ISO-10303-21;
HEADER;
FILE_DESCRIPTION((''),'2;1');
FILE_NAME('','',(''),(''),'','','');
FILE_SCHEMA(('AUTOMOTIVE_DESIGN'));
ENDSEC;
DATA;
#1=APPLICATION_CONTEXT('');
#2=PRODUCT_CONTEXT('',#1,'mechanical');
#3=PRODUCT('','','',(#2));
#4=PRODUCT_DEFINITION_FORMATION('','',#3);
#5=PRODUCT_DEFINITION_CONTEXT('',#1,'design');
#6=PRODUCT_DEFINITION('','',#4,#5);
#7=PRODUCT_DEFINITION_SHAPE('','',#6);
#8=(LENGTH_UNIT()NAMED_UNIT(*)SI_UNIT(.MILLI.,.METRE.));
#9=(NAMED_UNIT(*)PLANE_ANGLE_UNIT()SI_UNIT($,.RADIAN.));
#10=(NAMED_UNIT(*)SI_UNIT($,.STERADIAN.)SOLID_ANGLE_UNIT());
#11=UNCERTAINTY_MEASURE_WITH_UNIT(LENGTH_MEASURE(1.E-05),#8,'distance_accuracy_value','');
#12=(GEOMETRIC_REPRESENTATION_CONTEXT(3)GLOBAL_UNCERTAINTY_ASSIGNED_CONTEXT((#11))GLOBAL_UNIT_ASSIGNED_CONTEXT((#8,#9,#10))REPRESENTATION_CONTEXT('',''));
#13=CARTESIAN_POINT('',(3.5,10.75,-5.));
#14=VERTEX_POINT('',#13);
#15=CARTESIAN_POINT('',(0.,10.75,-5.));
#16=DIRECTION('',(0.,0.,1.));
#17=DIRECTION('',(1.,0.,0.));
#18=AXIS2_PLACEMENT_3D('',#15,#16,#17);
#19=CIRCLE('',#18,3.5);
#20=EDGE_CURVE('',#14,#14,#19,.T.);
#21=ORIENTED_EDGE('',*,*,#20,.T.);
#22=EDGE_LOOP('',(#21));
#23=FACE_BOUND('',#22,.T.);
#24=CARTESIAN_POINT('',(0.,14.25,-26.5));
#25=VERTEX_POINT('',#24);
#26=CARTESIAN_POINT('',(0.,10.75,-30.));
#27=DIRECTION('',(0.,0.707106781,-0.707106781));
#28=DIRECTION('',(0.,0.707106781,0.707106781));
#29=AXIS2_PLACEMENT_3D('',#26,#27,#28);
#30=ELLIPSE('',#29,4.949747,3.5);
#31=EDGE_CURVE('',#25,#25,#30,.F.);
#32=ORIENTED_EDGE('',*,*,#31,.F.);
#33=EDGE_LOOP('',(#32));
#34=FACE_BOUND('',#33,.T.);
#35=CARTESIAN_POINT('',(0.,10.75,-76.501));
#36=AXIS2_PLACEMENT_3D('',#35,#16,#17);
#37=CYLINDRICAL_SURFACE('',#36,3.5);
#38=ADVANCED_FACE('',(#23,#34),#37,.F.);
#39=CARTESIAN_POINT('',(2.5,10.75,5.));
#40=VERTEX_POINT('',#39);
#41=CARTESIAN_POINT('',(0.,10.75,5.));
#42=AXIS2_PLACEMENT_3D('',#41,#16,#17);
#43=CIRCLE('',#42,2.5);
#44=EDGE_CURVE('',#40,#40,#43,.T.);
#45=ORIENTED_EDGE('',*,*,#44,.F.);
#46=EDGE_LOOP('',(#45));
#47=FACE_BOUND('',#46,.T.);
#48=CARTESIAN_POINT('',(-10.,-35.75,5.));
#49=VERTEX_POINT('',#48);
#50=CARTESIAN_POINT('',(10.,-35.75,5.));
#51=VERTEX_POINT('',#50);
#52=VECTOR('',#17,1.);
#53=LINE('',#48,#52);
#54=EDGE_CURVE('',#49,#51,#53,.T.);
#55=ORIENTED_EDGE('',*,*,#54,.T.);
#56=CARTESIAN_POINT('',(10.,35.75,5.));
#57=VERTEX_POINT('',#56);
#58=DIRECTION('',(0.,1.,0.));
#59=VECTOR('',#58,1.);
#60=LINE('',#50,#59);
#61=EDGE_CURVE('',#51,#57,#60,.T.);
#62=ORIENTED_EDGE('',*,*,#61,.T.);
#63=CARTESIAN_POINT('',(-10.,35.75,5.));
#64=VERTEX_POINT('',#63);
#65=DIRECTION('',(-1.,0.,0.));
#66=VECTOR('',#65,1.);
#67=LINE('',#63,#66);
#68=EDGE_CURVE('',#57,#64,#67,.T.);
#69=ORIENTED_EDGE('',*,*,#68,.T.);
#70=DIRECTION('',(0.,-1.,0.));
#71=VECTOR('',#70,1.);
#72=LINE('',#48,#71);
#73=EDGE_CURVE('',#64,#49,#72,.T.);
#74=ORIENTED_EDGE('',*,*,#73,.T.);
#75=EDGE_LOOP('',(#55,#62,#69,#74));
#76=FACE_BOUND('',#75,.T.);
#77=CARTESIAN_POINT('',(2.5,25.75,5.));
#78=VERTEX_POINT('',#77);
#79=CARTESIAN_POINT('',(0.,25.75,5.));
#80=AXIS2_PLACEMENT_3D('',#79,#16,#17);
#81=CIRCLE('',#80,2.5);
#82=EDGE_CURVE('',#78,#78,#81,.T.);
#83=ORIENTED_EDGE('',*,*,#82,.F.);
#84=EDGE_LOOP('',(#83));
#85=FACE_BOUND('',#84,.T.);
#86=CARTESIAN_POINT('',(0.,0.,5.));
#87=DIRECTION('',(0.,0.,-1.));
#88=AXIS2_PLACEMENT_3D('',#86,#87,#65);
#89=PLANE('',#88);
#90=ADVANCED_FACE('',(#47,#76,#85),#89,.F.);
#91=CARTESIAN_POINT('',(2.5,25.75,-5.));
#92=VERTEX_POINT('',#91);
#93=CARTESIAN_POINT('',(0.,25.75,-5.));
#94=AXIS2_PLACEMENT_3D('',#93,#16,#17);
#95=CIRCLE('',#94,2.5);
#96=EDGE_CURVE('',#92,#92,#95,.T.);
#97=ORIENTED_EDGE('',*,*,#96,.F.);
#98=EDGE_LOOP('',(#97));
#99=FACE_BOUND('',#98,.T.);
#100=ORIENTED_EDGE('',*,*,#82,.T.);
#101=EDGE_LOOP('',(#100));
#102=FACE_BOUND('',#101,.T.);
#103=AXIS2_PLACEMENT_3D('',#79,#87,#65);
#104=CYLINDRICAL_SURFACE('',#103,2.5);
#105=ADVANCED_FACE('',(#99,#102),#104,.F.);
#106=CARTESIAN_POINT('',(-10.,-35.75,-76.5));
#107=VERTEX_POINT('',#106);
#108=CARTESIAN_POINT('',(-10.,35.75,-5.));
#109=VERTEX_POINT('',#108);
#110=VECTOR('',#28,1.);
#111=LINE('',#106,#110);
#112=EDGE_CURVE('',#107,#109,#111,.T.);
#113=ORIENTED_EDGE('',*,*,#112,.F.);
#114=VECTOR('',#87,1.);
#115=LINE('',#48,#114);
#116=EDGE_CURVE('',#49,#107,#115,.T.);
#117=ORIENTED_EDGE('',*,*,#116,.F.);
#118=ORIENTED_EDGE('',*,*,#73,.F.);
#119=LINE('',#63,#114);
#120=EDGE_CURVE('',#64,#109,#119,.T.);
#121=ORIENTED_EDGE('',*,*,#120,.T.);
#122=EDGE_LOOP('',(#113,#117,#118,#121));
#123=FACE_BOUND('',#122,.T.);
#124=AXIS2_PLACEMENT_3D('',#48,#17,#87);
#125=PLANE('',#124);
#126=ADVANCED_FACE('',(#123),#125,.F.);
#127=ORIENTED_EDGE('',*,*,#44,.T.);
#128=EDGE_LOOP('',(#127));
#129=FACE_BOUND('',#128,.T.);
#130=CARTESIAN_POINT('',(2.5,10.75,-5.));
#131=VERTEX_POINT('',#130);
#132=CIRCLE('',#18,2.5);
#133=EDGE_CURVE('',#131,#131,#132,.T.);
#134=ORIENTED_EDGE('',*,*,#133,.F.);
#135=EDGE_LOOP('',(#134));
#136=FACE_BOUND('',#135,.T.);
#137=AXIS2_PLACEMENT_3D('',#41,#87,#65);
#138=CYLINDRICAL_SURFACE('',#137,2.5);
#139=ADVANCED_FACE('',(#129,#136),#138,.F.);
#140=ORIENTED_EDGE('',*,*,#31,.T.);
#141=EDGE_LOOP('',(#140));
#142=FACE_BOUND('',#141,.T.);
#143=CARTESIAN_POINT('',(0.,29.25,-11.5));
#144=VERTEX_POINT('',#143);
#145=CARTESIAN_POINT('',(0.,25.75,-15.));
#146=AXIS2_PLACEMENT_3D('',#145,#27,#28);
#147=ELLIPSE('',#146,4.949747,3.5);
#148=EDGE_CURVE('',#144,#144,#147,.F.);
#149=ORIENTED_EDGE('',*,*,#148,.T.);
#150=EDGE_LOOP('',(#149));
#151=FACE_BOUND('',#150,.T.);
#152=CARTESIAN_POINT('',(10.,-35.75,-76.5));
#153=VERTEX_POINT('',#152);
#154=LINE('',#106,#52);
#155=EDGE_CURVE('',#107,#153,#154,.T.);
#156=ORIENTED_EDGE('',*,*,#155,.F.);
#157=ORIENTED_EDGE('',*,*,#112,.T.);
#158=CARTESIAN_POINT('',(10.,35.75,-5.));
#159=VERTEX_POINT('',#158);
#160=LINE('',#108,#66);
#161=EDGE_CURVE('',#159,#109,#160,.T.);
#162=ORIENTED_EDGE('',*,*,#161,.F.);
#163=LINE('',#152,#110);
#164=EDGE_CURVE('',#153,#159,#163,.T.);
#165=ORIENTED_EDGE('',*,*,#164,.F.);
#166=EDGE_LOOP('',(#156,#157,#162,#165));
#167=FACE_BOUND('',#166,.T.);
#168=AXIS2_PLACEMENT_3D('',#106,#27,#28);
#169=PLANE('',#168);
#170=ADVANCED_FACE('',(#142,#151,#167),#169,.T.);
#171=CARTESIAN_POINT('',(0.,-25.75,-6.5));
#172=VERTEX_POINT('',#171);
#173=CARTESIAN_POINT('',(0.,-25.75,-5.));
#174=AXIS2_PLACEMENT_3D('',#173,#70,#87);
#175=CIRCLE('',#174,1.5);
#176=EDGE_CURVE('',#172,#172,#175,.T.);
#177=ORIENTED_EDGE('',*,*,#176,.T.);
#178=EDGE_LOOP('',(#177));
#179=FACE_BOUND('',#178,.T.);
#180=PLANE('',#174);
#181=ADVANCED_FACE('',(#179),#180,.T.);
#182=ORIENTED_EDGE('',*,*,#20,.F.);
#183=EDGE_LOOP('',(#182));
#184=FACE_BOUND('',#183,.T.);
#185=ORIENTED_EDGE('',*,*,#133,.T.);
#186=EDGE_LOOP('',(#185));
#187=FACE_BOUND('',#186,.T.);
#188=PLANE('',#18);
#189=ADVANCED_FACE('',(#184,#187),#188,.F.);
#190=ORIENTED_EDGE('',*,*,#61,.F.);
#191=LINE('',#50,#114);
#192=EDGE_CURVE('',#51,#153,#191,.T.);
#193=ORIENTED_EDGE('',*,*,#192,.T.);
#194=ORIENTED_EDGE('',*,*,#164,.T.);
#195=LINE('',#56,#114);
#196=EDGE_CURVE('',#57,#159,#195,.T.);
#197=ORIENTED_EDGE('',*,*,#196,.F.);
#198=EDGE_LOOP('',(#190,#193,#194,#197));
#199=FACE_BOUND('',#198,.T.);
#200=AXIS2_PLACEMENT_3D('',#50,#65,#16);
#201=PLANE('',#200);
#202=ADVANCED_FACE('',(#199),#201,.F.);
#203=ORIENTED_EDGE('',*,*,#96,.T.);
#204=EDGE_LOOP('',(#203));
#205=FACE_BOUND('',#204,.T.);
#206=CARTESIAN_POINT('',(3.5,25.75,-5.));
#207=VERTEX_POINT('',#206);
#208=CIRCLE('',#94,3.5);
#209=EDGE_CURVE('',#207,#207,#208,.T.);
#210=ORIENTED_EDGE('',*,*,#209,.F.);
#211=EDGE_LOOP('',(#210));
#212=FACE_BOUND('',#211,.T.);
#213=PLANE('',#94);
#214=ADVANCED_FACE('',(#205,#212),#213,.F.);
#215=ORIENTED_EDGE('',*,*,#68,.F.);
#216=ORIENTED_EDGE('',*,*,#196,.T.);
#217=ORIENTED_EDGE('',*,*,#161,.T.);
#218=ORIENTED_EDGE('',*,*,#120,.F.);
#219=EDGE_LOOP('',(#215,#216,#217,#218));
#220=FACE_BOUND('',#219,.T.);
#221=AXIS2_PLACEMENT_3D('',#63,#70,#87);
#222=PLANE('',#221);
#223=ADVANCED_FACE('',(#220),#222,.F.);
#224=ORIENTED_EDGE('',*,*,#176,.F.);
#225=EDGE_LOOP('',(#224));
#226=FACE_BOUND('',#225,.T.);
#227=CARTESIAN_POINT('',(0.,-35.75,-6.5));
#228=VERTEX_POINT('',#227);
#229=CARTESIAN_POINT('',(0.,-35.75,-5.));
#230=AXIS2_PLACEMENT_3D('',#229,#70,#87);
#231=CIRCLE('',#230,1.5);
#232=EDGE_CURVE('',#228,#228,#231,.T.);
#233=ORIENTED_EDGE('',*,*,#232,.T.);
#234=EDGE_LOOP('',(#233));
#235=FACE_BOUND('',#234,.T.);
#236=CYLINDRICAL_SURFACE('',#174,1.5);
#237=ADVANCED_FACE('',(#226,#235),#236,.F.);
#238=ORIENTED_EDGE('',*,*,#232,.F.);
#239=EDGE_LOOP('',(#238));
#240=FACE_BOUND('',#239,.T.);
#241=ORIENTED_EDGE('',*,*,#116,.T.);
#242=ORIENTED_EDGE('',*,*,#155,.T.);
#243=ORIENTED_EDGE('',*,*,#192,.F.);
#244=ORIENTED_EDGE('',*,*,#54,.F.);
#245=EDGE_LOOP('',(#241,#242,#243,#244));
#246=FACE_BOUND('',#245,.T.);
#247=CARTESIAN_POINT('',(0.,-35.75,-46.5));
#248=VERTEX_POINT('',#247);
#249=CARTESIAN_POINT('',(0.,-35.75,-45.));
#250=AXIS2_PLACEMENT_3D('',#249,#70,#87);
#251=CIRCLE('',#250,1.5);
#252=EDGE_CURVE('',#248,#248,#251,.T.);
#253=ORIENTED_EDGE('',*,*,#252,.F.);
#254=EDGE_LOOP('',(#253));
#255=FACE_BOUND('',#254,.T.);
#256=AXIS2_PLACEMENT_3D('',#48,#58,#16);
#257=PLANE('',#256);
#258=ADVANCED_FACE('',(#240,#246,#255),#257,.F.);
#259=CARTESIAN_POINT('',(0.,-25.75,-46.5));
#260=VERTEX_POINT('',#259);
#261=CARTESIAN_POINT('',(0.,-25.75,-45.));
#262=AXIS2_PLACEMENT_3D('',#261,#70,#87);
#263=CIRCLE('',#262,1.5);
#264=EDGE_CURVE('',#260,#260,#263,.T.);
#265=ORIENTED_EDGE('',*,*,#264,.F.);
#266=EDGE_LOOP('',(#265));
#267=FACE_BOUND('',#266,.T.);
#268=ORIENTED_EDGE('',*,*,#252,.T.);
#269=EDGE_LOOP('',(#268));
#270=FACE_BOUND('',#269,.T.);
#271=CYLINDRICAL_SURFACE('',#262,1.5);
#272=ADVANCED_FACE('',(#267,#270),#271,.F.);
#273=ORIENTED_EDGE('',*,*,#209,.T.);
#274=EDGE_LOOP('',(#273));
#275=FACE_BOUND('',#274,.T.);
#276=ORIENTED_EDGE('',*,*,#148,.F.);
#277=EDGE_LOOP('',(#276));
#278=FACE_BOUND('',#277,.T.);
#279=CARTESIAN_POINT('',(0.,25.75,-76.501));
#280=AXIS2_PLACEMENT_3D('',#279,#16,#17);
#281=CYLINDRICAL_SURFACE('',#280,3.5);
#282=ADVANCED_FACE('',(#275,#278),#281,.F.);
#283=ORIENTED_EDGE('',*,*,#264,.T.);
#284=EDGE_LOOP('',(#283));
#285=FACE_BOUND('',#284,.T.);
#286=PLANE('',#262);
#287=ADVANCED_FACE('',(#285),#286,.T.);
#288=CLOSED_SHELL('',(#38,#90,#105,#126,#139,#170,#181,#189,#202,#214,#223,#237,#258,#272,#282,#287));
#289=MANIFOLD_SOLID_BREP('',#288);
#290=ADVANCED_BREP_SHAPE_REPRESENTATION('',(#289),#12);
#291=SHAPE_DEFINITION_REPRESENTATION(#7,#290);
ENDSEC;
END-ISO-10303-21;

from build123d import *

# Parameters (mm, degrees)
SKETCH1_W           = 20
SKETCH1_H           = 71.5
SKETCH1_R           = 2.5
BOSS_EXTRUDE1_DEPTH = 5
BOSS_EXTRUDE2_DEPTH = 20
CUT_EXTRUDE1_REACH  = 82.562
SKETCH3_R           = 3.5
SKETCH4_R           = 1.5
CUT_EXTRUDE2_DEPTH  = 10


with BuildPart() as part:
    # Sketch1 → Boss-Extrude1 (new, symmetric)
    with BuildSketch(Plane.XY):
        Rectangle(SKETCH1_W, SKETCH1_H)
        with Locations((0, 25.75)):
            Circle(SKETCH1_R, mode=Mode.SUBTRACT)
        with Locations((0, 10.75)):
            Circle(SKETCH1_R, mode=Mode.SUBTRACT)
    extrude(amount=BOSS_EXTRUDE1_DEPTH, both=True)

    # Sketch2 → Boss-Extrude2 (add, through all)
    with BuildSketch(Plane(origin=(10, 0, 0), x_dir=(0, 0, -1), z_dir=(1, 0, 0))):
        Polygon((5, 35.75), (5, -35.75), (76.5, -35.75), align=None)
    extrude(amount=-BOSS_EXTRUDE2_DEPTH)

    # Cut-Extrude1: up to this plane
    cut_extrude1_end = Plane(origin=(-10, -35.75, -76.5), z_dir=(0, 0.7071067811865439, -0.7071067811865512))
    # Sketch3 → Cut-Extrude1 (cut, up to the surface)
    with BuildSketch(Plane.XY.offset(-5), mode=Mode.PRIVATE) as cut_extrude1_sk1:
        with Locations((0, 25.75)):
            Circle(SKETCH3_R)
    cut_extrude1_tool1 = split(extrude(cut_extrude1_sk1.sketch, amount=-CUT_EXTRUDE1_REACH, mode=Mode.PRIVATE), bisect_by=cut_extrude1_end, keep=Keep.BOTH, mode=Mode.PRIVATE)
    add(cut_extrude1_tool1.solids().sort_by_distance((0, 25.75, -5))[0], mode=Mode.SUBTRACT)
    # Sketch3 → Cut-Extrude1 (cut, up to the surface)
    with BuildSketch(Plane.XY.offset(-5), mode=Mode.PRIVATE) as cut_extrude1_sk2:
        with Locations((0, 10.75)):
            Circle(SKETCH3_R)
    cut_extrude1_tool2 = split(extrude(cut_extrude1_sk2.sketch, amount=-CUT_EXTRUDE1_REACH, mode=Mode.PRIVATE), bisect_by=cut_extrude1_end, keep=Keep.BOTH, mode=Mode.PRIVATE)
    add(cut_extrude1_tool2.solids().sort_by_distance((0, 10.75, -5))[0], mode=Mode.SUBTRACT)

    # Sketch4 → Cut-Extrude2 (cut)
    with BuildSketch(Plane.XZ.offset(35.75)):
        with Locations(Location((0, -5, 0), (0, 0, 270))):
            Circle(SKETCH4_R)
        with Locations(Location((0, -45, 0), (0, 0, 270))):
            Circle(SKETCH4_R)
    extrude(amount=-CUT_EXTRUDE2_DEPTH, mode=Mode.SUBTRACT)


solid = part.part
